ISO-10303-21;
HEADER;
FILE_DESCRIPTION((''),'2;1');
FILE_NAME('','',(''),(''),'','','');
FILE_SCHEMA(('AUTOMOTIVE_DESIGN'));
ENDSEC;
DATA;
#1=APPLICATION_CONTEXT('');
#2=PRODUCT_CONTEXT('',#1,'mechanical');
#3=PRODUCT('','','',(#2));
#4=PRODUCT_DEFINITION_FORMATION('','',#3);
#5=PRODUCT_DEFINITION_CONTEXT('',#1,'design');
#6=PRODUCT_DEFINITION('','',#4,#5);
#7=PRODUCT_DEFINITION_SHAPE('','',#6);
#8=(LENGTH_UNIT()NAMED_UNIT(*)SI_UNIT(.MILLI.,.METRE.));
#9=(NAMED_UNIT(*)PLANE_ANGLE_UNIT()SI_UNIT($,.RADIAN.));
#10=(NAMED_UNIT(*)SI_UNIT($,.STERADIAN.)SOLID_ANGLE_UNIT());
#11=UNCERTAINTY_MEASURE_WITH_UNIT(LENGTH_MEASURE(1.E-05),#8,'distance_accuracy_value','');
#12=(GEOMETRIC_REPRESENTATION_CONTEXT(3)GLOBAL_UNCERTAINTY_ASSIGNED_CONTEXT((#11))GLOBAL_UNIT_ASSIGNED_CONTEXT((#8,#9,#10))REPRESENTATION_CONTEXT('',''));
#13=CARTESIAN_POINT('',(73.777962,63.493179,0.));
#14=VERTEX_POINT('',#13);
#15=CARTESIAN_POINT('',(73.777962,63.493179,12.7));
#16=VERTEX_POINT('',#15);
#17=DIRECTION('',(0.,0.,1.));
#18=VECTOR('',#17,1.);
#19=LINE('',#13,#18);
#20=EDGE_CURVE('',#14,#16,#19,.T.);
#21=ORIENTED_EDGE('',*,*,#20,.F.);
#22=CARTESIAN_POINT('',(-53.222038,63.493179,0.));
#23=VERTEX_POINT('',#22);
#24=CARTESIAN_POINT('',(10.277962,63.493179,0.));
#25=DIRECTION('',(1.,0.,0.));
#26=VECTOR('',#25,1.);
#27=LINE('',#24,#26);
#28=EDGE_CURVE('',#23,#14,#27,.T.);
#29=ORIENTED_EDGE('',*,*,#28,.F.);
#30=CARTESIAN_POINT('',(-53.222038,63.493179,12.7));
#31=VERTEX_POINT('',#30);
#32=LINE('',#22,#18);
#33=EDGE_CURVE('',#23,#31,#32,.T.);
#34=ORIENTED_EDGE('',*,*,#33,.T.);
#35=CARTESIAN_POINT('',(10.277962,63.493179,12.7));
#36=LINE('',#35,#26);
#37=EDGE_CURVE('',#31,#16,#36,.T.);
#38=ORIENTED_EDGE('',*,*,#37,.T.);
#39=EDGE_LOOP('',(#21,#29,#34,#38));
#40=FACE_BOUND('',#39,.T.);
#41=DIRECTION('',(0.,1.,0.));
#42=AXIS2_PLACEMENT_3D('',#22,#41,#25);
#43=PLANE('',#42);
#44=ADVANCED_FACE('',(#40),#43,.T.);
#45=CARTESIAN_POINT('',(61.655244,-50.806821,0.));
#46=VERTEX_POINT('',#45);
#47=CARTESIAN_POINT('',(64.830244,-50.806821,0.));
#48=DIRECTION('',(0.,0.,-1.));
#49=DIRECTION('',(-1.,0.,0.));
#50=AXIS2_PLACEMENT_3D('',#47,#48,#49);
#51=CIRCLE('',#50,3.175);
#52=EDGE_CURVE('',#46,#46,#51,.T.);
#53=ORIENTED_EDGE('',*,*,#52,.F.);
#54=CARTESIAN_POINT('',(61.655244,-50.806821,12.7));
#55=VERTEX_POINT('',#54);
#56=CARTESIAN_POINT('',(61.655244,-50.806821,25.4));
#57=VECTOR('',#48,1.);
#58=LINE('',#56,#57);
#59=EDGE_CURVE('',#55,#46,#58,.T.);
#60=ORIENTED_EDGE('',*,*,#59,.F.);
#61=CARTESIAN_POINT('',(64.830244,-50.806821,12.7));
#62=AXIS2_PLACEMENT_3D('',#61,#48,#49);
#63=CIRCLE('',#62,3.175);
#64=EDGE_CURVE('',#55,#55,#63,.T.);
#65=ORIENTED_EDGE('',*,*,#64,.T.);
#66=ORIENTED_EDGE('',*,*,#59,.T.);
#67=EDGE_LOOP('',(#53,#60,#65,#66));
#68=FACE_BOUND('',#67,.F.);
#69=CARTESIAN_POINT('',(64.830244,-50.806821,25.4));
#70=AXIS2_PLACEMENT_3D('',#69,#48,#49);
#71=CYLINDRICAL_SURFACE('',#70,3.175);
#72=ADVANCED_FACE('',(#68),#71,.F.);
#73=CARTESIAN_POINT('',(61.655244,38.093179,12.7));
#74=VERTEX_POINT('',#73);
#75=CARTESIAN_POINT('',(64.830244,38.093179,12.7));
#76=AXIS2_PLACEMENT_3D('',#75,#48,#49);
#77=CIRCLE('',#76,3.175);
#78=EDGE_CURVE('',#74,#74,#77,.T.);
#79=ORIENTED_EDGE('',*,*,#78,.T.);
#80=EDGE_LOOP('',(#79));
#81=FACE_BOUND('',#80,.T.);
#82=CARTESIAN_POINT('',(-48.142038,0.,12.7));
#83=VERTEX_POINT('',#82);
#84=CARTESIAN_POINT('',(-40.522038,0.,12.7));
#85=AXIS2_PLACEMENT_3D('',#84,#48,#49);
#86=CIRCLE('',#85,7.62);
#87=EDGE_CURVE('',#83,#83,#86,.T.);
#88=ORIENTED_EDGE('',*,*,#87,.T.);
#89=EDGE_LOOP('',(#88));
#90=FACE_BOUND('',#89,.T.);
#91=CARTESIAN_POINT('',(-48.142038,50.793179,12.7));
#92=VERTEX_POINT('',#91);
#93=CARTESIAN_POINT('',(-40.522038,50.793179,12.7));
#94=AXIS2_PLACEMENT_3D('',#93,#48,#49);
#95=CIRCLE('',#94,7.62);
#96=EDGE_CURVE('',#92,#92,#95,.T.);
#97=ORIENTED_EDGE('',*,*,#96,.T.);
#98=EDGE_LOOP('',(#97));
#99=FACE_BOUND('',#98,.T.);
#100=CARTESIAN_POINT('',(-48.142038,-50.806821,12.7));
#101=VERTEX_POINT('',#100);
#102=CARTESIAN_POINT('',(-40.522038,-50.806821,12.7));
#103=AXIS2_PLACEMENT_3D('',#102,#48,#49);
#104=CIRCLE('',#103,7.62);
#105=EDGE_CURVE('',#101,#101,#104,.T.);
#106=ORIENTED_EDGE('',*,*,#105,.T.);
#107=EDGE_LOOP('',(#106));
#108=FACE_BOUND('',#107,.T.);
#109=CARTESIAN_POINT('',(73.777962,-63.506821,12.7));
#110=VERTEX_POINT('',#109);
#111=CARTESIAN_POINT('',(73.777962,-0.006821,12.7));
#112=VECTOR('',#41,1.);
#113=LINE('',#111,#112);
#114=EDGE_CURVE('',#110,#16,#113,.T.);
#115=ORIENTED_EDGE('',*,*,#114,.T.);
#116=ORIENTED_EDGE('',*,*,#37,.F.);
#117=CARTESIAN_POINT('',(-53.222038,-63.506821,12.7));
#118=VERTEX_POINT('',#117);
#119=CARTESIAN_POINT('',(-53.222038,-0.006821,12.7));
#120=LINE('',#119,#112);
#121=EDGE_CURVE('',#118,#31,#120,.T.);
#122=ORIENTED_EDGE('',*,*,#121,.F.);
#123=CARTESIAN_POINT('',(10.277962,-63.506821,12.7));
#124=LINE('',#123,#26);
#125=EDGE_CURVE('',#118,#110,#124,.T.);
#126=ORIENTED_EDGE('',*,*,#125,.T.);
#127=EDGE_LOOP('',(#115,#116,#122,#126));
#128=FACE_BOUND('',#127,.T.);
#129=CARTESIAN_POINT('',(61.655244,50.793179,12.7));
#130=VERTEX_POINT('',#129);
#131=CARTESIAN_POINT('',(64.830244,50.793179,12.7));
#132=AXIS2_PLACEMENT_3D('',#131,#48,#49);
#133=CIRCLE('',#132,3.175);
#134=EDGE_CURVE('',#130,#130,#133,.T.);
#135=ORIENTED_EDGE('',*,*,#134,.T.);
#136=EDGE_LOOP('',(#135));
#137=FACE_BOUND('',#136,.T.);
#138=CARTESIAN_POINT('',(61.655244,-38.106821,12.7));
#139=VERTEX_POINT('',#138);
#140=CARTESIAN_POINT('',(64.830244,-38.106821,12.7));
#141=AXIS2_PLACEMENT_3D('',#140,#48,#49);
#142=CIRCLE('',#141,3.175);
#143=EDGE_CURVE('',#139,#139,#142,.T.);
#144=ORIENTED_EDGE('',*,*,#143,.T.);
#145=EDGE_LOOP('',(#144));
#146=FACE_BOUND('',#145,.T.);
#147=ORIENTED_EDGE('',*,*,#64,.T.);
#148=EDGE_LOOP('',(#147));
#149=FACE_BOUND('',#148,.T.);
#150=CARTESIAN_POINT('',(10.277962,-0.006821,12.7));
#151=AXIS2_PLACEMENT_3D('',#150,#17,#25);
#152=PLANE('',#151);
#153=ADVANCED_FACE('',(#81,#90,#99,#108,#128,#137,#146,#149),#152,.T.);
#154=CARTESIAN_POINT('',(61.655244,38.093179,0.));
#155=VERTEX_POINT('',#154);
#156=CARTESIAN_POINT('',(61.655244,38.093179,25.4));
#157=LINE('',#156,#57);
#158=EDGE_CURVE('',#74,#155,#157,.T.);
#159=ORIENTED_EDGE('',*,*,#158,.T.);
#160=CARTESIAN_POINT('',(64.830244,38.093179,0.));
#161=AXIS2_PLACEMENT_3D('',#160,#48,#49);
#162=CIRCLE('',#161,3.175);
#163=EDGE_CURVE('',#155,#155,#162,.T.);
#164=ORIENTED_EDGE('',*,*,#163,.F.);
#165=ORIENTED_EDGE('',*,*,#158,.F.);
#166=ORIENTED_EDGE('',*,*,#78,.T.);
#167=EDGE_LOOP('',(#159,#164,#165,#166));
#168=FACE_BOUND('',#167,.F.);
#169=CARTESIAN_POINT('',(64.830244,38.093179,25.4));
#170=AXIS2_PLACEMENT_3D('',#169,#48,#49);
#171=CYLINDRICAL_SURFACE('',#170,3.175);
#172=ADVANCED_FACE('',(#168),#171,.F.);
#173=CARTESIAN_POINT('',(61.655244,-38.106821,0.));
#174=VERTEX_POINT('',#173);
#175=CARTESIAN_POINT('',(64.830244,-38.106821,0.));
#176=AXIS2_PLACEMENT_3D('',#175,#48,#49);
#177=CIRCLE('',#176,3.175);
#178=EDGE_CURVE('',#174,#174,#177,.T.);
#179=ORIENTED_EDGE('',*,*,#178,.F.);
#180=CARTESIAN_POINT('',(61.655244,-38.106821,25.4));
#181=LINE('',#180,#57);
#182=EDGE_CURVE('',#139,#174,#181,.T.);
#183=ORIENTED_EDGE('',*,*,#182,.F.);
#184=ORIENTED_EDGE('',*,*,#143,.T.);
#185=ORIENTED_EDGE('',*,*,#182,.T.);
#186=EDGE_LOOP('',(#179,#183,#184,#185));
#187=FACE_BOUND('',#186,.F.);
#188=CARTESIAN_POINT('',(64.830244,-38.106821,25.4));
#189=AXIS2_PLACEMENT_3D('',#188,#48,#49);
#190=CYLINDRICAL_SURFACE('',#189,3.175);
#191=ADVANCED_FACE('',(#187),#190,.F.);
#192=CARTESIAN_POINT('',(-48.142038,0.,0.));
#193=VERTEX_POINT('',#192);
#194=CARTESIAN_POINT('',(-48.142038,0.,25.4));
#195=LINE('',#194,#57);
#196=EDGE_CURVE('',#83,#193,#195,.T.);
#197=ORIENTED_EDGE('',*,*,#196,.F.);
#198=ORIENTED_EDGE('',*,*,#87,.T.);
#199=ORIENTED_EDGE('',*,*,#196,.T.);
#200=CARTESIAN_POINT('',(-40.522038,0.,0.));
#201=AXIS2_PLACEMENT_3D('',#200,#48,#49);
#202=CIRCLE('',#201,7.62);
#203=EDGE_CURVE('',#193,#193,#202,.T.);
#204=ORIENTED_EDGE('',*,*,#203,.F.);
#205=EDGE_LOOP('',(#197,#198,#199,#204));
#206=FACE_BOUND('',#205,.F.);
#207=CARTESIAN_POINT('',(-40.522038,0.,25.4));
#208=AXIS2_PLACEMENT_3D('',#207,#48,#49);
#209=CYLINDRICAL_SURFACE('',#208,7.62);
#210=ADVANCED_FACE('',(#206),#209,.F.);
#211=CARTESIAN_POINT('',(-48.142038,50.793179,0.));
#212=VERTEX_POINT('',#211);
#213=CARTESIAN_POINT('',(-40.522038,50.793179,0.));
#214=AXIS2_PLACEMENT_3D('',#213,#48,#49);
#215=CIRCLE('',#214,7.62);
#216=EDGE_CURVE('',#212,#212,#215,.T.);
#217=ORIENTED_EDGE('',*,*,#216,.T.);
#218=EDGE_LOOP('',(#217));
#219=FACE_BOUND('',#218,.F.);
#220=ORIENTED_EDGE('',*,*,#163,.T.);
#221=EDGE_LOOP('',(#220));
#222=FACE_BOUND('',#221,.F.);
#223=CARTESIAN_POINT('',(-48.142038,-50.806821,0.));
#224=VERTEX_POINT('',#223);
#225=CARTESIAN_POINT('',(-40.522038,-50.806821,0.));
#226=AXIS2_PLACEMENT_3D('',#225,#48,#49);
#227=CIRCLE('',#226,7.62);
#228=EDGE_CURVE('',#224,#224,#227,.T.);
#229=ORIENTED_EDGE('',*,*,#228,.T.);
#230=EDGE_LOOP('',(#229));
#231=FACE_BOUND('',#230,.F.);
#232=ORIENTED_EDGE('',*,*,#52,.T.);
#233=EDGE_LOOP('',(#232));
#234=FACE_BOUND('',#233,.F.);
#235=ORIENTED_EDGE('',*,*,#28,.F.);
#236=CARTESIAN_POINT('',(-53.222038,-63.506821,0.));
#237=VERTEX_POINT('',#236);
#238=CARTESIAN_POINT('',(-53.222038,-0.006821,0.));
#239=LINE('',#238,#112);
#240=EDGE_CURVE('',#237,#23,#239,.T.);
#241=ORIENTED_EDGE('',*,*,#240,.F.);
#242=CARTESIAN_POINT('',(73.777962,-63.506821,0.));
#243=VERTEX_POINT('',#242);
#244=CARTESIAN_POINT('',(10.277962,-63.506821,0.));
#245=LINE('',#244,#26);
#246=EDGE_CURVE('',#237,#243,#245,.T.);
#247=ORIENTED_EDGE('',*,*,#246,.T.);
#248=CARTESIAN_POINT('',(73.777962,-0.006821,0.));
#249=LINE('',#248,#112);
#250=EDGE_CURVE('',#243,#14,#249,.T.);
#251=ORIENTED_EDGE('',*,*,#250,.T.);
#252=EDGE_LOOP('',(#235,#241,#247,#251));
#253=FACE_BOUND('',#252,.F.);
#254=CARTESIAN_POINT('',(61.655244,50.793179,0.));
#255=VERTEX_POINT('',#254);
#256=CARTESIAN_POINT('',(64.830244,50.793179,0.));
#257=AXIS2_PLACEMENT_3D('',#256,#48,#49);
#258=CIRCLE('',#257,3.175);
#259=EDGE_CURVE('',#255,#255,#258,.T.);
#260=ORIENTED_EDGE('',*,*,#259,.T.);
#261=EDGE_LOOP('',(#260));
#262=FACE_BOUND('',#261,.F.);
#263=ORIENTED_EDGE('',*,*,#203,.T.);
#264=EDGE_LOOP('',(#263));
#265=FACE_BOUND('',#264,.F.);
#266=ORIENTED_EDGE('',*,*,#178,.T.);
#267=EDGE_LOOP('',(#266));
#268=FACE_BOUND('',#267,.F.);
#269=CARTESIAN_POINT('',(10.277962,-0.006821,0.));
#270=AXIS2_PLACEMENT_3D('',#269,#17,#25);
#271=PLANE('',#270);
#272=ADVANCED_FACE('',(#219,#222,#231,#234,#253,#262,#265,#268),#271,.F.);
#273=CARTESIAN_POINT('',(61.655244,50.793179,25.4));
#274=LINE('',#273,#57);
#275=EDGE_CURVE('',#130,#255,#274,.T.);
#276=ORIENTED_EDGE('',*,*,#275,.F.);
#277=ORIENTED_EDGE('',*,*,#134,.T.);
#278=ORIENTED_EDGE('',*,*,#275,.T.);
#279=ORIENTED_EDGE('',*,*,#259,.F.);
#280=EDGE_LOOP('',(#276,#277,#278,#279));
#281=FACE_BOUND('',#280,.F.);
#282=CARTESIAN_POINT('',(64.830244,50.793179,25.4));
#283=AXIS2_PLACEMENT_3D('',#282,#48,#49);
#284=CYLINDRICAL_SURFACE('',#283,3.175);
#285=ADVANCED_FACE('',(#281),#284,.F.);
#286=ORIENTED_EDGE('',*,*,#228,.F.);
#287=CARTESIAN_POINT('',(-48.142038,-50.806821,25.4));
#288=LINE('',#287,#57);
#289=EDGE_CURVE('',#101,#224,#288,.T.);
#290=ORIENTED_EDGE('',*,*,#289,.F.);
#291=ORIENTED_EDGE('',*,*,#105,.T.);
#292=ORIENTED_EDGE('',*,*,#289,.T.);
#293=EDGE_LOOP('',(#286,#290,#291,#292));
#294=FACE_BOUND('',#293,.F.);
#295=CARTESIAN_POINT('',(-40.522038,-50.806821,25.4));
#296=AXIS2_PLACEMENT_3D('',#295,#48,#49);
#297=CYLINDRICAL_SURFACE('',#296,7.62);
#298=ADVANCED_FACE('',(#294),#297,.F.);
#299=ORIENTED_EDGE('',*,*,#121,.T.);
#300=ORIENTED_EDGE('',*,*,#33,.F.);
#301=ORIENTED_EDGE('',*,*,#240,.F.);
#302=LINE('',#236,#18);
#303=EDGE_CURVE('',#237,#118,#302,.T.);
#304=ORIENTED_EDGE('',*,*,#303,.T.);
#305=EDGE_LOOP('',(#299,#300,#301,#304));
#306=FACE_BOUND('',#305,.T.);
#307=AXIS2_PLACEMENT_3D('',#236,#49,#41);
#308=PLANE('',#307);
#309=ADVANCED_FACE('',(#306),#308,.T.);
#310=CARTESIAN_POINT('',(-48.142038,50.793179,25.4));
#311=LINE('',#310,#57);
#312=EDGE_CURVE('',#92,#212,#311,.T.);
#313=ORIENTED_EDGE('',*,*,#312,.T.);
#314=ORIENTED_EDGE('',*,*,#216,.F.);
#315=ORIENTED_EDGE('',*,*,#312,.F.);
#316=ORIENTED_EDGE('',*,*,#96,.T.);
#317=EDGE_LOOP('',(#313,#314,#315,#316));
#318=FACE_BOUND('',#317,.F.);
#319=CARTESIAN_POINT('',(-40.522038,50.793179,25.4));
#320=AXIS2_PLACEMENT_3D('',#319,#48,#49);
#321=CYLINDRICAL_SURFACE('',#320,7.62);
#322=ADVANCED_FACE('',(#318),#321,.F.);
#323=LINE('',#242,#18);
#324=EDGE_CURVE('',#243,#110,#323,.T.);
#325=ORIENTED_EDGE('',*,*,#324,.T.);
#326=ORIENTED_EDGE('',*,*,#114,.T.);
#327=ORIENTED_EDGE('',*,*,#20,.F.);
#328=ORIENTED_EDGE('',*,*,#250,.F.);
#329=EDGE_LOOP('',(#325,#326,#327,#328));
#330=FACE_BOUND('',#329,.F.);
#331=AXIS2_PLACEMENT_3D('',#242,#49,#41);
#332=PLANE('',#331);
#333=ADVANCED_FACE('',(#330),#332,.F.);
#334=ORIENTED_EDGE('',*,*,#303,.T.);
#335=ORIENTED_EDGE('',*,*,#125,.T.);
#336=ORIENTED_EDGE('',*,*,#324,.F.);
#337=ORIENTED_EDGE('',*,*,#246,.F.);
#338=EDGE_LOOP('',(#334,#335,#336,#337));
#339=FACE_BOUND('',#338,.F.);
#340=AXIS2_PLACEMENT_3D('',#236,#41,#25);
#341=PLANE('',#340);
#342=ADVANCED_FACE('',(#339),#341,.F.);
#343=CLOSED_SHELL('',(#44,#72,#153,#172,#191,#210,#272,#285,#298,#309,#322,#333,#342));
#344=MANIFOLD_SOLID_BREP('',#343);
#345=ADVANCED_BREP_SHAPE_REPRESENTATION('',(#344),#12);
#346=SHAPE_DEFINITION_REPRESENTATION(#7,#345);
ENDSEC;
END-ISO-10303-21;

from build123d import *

# Parameters (mm, degrees)
F0_W     = 127
F0_H     = 127
F1_DEPTH = 12.7
F3_D     = 15.24
F3_DEPTH = 12.7
F5_D     = 6.35
F5_DEPTH = 12.7


with BuildPart() as f1:
    # F0 (on Top) → F1 (new body)
    with BuildSketch(Plane.XY):
        with Locations((10.277962, -0.006821)):
            Rectangle(F0_W, F0_H)
    extrude(amount=F1_DEPTH)

    # F3
    with Locations(Plane.XY.offset(12.7)):
        with Locations((-40.522038, 50.793179), (-40.522038, 0), (-40.522038, -50.806821)):
            Hole(F3_D / 2, depth=F3_DEPTH)

    # F5
    with Locations(Plane.XY.offset(12.7)):
        with Locations((64.830244, -38.106821), (64.830244, 50.793179), (64.830244, 38.093179), (64.830244, -50.806821)):
            Hole(F5_D / 2, depth=F5_DEPTH)


solid = f1.part
